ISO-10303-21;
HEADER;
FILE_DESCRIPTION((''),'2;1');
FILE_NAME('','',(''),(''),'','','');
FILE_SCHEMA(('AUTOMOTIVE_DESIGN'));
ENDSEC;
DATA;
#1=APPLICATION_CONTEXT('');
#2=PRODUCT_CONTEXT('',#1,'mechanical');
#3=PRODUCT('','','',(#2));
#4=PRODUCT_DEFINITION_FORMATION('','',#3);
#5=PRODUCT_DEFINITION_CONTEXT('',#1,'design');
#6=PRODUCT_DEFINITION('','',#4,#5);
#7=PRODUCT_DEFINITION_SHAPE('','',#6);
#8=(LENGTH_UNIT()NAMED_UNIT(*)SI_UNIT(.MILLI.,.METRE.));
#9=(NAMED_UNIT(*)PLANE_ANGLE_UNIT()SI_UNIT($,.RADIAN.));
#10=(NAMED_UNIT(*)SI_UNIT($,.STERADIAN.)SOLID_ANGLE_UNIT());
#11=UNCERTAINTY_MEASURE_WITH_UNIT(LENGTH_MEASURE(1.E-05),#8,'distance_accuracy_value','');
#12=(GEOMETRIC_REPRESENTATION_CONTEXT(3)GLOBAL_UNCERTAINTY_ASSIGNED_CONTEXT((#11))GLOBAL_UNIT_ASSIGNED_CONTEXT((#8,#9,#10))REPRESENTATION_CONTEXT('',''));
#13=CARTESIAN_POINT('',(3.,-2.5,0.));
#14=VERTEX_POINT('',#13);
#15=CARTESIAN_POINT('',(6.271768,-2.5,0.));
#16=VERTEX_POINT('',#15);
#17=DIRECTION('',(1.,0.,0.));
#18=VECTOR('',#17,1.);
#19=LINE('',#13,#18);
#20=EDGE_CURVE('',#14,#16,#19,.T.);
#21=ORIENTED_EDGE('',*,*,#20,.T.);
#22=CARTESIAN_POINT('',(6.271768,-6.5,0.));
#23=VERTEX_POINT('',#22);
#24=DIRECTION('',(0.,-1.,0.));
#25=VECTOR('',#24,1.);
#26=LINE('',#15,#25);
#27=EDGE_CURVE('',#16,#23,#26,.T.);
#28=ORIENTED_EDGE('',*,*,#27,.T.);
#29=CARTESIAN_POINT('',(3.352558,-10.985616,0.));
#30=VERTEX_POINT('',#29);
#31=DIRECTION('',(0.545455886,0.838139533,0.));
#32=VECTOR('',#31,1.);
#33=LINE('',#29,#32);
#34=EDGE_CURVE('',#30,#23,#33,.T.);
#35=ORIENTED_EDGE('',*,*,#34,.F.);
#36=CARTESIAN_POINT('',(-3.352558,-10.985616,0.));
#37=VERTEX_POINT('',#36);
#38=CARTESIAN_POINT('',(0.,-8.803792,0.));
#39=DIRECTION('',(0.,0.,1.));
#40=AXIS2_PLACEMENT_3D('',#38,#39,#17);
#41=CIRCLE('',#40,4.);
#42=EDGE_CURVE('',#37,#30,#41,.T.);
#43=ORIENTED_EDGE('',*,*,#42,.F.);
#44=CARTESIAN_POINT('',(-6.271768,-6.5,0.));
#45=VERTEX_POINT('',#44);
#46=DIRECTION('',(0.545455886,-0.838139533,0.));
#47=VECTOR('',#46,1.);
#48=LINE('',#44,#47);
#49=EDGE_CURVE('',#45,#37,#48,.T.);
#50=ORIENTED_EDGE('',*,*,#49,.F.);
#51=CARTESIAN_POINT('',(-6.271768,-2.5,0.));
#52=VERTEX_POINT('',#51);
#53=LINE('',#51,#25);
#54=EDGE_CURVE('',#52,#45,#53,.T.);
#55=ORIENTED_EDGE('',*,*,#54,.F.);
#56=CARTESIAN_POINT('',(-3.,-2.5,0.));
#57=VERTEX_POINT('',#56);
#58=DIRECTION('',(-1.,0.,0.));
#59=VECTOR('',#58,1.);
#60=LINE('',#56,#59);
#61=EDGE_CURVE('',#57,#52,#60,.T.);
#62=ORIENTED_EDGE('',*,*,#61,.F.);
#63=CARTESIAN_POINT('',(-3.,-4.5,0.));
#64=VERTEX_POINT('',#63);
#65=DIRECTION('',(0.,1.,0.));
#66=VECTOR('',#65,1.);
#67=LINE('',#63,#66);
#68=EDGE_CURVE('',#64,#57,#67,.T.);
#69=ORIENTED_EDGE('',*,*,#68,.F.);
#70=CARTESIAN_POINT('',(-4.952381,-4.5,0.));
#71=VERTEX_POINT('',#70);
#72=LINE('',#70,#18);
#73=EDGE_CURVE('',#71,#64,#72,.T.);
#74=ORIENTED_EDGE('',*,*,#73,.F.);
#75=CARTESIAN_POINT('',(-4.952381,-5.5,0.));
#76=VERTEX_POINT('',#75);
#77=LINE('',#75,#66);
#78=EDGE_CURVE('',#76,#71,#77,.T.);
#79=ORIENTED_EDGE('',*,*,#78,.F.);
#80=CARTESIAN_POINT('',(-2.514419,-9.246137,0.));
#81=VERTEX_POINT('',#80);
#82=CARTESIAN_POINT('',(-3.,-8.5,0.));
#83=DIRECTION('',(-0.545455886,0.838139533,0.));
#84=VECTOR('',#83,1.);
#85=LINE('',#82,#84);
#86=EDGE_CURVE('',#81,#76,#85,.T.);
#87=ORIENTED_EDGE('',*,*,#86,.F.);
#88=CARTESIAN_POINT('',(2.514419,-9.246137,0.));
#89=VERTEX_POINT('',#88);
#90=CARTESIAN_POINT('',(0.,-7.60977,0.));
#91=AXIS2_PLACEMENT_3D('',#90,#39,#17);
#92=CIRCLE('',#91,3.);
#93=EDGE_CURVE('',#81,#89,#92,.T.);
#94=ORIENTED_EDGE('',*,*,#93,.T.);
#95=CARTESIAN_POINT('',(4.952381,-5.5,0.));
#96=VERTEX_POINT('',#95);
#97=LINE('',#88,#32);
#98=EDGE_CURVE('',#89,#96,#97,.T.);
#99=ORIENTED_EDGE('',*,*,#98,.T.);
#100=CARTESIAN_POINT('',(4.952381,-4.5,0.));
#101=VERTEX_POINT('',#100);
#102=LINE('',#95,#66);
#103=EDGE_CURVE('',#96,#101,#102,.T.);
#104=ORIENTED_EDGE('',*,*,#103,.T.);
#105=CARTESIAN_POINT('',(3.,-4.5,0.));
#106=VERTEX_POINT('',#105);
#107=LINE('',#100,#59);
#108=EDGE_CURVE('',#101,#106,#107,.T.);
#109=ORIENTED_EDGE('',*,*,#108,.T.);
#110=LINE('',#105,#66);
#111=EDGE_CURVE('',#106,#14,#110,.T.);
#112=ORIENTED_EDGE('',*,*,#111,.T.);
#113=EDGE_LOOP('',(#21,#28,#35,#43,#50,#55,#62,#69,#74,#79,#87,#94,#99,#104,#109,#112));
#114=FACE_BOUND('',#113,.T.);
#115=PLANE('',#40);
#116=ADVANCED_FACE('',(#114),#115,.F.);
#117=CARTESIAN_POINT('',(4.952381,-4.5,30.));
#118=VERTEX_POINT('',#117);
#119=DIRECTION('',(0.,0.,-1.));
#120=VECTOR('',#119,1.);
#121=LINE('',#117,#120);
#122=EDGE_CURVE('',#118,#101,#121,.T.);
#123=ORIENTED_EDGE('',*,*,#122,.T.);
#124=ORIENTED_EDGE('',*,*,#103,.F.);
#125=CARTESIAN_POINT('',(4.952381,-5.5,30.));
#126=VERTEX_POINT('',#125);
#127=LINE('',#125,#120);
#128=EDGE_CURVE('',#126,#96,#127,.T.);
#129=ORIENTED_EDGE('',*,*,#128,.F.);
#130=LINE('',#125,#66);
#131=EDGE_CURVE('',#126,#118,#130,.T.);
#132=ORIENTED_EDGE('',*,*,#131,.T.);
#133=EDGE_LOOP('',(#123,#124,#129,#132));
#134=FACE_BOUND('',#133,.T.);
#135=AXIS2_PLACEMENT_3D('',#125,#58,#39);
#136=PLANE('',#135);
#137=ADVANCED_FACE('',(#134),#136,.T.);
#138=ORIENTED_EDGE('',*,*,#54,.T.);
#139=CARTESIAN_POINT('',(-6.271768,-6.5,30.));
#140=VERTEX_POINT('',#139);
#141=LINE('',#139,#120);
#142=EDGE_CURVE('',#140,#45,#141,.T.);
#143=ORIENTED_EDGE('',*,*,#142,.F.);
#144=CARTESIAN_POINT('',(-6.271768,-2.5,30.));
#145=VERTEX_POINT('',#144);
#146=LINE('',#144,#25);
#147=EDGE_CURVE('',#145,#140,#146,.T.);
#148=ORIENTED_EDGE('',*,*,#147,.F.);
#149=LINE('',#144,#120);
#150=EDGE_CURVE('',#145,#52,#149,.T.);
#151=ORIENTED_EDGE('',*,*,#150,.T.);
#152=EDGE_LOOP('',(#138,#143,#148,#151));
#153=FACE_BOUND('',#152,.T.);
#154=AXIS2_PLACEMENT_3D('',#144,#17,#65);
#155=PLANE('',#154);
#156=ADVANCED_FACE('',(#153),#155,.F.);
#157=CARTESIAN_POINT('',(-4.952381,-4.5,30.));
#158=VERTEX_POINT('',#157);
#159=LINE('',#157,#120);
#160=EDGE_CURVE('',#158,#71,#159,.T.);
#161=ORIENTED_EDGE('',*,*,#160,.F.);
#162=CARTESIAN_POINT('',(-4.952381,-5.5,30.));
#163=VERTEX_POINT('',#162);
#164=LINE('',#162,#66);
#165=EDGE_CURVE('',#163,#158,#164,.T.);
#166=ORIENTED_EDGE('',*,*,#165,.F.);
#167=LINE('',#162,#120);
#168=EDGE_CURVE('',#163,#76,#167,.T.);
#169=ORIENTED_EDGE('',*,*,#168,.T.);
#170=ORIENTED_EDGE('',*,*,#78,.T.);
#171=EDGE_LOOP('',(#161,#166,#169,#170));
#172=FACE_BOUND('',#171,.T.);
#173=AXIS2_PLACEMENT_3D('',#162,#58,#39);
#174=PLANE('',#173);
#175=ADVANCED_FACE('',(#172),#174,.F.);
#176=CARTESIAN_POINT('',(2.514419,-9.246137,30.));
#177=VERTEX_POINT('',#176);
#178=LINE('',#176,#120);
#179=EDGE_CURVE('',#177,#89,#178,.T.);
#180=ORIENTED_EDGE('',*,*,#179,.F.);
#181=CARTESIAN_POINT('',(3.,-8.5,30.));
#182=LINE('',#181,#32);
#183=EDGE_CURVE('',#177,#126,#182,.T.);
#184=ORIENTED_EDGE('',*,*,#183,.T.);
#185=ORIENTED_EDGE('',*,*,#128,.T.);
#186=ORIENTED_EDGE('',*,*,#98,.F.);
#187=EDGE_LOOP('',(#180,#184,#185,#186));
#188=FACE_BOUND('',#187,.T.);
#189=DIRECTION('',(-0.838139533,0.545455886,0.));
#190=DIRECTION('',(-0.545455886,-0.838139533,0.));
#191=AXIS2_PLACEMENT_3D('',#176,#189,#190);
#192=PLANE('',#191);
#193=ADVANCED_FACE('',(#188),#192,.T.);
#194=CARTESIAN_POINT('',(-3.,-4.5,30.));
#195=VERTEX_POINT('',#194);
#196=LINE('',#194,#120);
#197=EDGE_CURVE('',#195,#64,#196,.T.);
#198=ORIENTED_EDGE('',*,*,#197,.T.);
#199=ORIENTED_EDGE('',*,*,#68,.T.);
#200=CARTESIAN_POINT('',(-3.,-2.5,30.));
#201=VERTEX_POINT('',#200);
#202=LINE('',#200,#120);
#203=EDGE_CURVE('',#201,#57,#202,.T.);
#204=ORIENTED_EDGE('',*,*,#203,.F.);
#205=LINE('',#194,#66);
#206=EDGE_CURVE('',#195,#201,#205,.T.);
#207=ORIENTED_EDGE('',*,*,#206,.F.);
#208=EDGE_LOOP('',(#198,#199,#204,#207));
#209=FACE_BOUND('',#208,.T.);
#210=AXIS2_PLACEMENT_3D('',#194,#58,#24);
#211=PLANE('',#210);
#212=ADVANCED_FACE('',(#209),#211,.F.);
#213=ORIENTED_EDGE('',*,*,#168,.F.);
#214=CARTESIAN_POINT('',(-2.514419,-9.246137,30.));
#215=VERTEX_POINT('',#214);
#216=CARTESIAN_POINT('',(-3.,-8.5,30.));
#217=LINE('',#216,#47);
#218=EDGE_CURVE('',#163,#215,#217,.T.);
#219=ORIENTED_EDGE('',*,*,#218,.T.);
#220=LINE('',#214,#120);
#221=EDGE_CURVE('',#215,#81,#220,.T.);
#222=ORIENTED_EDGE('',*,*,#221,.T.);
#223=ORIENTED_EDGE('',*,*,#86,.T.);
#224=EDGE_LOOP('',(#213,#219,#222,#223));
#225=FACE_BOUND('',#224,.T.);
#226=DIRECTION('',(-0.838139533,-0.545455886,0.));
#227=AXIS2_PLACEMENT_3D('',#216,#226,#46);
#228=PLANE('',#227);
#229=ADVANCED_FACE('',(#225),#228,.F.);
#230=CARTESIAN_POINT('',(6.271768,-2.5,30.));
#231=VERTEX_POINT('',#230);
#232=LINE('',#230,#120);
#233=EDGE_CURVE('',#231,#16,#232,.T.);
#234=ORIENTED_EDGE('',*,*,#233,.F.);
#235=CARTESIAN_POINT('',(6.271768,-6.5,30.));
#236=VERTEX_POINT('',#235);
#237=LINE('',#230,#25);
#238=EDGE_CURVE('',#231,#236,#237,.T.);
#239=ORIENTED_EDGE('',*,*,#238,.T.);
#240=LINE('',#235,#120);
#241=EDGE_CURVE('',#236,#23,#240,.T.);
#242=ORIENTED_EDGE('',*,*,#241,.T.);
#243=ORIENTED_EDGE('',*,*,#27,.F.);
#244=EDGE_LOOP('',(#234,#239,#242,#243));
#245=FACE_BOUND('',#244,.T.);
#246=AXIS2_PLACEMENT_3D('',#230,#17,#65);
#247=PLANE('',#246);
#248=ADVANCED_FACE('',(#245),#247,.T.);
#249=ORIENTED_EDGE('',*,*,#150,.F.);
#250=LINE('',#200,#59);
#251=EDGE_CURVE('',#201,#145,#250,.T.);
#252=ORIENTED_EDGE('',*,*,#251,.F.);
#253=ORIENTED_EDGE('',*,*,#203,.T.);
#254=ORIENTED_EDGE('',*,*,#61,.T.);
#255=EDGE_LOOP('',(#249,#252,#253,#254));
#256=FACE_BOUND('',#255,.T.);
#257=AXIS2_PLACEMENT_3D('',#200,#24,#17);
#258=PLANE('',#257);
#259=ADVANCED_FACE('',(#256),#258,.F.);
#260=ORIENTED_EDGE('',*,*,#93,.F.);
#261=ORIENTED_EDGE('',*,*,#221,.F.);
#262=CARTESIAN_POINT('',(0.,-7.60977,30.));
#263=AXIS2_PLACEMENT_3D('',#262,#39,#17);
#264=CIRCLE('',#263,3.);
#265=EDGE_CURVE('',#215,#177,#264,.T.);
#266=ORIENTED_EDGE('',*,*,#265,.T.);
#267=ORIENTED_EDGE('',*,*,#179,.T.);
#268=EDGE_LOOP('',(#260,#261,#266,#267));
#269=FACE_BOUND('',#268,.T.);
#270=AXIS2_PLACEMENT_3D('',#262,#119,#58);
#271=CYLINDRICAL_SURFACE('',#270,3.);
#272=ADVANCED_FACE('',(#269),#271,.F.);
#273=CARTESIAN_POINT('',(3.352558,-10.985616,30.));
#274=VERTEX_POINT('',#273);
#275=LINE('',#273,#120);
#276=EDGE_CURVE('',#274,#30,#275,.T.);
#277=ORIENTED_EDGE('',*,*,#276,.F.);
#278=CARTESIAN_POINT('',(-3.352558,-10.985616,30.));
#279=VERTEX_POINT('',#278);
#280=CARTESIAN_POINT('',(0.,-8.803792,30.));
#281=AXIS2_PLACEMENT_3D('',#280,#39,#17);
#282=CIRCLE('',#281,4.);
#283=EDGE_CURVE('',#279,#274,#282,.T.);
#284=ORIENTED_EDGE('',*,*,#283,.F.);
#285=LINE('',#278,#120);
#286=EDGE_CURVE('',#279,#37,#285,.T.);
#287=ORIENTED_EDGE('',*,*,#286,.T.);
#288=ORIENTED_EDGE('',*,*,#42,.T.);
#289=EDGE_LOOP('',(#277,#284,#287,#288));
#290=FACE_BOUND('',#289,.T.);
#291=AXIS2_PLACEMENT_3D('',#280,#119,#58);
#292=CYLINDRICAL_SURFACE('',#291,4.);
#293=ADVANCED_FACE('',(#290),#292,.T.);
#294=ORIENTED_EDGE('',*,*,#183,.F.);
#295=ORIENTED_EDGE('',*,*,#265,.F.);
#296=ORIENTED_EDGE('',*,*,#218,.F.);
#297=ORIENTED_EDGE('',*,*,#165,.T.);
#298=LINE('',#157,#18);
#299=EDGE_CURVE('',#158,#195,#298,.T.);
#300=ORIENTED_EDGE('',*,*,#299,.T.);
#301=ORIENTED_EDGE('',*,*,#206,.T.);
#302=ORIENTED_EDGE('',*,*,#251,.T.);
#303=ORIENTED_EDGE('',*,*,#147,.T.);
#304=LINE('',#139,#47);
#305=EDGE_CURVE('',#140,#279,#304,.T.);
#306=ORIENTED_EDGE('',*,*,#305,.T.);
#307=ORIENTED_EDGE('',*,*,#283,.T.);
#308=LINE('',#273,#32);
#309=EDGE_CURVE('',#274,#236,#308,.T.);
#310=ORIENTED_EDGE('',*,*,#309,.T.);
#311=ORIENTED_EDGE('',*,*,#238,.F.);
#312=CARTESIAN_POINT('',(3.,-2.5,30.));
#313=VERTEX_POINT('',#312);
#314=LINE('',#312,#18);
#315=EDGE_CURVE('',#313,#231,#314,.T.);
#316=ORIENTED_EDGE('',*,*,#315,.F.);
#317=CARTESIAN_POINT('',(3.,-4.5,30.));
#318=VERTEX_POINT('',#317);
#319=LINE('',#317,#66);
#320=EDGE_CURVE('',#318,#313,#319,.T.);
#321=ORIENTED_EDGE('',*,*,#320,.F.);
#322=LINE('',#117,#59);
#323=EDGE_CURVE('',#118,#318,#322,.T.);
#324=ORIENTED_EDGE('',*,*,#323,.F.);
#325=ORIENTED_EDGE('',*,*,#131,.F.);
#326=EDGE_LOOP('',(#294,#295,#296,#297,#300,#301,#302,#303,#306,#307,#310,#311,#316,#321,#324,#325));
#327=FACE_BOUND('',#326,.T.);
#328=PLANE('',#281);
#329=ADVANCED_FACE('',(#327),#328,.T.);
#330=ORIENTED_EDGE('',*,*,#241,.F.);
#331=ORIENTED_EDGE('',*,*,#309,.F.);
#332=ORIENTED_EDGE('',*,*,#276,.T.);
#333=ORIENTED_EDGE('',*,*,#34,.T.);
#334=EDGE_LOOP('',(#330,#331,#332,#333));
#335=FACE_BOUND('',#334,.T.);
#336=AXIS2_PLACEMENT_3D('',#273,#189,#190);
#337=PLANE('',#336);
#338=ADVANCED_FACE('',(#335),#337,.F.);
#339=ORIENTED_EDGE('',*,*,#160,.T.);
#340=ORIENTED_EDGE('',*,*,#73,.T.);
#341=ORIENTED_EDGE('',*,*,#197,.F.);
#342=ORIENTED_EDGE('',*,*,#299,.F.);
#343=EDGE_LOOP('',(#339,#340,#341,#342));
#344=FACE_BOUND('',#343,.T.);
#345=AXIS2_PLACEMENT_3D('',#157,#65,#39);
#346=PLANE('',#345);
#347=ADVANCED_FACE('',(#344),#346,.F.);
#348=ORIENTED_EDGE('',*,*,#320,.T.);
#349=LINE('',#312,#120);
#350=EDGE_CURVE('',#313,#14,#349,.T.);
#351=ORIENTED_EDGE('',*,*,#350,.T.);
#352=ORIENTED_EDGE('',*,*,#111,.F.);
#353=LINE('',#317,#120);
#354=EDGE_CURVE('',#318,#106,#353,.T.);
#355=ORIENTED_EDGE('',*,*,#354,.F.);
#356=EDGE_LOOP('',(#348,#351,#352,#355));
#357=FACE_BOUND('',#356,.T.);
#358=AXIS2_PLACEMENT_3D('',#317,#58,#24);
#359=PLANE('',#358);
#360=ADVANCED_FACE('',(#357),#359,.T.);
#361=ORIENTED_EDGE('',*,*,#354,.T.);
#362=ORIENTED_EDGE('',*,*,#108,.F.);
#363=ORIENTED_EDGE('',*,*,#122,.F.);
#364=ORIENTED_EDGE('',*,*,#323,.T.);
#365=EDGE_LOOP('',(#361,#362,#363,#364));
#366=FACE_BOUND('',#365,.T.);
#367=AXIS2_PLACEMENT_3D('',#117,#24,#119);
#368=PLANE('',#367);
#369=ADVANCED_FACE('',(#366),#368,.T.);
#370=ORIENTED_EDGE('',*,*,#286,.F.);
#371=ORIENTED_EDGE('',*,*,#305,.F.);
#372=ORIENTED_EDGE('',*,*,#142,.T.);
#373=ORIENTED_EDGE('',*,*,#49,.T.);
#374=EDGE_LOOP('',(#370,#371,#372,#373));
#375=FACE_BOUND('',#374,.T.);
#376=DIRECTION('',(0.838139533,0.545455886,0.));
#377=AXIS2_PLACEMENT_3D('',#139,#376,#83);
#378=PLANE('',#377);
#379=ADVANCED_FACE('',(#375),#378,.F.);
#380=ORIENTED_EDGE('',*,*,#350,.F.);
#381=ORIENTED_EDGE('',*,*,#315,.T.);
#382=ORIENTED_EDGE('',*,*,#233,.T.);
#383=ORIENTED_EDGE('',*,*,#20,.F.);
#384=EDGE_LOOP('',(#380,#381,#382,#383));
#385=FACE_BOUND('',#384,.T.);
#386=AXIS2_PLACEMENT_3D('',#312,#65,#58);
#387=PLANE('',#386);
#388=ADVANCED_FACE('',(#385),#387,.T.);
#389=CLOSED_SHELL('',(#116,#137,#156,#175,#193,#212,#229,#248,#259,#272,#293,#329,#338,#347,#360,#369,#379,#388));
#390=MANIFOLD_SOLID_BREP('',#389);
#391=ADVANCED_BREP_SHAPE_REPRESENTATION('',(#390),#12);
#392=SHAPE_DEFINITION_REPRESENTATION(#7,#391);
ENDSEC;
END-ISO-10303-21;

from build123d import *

# Parameters (mm, degrees)
BOSS_EXTRUDE2_DEPTH = 30


with BuildPart() as part:
    # Sketch1 → Boss-Extrude2 (new body)
    with BuildSketch(Plane.XY):
        with BuildLine():
            Line((3, -8.5), (4.952380952, -5.5))
            Line((4.952380952, -5.5), (4.952380952, -4.5))
            Line((4.952380952, -4.5), (3, -4.5))
            Line((3, -4.5), (3, -2.5))
            Line((3, -2.5), (6.271768379, -2.5))
            Line((6.271768379, -2.5), (6.271768379, -6.5))
            Line((6.271768379, -6.5), (3.35255813, -10.985615749))
            ThreePointArc((3.35255813, -10.985615749), (0, -12.803792203), (-3.35255813, -10.985615749))
            Line((-3.35255813, -10.985615749), (-6.271768379, -6.5))
            Line((-6.271768379, -6.5), (-6.271768379, -2.5))
            Line((-6.271768379, -2.5), (-3, -2.5))
            Line((-3, -2.5), (-3, -4.5))
            Line((-3, -4.5), (-4.952380952, -4.5))
            Line((-4.952380952, -4.5), (-4.952380952, -5.5))
            Line((-4.952380952, -5.5), (-3, -8.5))
            Line((-3, -8.5), (-2.514418598, -9.246137277))
            ThreePointArc((-2.514418598, -9.246137277), (0, -10.609769618), (2.514418598, -9.246137277))
            Line((2.514418598, -9.246137277), (3, -8.5))
        make_face()
    extrude(amount=BOSS_EXTRUDE2_DEPTH)


solid = part.part
